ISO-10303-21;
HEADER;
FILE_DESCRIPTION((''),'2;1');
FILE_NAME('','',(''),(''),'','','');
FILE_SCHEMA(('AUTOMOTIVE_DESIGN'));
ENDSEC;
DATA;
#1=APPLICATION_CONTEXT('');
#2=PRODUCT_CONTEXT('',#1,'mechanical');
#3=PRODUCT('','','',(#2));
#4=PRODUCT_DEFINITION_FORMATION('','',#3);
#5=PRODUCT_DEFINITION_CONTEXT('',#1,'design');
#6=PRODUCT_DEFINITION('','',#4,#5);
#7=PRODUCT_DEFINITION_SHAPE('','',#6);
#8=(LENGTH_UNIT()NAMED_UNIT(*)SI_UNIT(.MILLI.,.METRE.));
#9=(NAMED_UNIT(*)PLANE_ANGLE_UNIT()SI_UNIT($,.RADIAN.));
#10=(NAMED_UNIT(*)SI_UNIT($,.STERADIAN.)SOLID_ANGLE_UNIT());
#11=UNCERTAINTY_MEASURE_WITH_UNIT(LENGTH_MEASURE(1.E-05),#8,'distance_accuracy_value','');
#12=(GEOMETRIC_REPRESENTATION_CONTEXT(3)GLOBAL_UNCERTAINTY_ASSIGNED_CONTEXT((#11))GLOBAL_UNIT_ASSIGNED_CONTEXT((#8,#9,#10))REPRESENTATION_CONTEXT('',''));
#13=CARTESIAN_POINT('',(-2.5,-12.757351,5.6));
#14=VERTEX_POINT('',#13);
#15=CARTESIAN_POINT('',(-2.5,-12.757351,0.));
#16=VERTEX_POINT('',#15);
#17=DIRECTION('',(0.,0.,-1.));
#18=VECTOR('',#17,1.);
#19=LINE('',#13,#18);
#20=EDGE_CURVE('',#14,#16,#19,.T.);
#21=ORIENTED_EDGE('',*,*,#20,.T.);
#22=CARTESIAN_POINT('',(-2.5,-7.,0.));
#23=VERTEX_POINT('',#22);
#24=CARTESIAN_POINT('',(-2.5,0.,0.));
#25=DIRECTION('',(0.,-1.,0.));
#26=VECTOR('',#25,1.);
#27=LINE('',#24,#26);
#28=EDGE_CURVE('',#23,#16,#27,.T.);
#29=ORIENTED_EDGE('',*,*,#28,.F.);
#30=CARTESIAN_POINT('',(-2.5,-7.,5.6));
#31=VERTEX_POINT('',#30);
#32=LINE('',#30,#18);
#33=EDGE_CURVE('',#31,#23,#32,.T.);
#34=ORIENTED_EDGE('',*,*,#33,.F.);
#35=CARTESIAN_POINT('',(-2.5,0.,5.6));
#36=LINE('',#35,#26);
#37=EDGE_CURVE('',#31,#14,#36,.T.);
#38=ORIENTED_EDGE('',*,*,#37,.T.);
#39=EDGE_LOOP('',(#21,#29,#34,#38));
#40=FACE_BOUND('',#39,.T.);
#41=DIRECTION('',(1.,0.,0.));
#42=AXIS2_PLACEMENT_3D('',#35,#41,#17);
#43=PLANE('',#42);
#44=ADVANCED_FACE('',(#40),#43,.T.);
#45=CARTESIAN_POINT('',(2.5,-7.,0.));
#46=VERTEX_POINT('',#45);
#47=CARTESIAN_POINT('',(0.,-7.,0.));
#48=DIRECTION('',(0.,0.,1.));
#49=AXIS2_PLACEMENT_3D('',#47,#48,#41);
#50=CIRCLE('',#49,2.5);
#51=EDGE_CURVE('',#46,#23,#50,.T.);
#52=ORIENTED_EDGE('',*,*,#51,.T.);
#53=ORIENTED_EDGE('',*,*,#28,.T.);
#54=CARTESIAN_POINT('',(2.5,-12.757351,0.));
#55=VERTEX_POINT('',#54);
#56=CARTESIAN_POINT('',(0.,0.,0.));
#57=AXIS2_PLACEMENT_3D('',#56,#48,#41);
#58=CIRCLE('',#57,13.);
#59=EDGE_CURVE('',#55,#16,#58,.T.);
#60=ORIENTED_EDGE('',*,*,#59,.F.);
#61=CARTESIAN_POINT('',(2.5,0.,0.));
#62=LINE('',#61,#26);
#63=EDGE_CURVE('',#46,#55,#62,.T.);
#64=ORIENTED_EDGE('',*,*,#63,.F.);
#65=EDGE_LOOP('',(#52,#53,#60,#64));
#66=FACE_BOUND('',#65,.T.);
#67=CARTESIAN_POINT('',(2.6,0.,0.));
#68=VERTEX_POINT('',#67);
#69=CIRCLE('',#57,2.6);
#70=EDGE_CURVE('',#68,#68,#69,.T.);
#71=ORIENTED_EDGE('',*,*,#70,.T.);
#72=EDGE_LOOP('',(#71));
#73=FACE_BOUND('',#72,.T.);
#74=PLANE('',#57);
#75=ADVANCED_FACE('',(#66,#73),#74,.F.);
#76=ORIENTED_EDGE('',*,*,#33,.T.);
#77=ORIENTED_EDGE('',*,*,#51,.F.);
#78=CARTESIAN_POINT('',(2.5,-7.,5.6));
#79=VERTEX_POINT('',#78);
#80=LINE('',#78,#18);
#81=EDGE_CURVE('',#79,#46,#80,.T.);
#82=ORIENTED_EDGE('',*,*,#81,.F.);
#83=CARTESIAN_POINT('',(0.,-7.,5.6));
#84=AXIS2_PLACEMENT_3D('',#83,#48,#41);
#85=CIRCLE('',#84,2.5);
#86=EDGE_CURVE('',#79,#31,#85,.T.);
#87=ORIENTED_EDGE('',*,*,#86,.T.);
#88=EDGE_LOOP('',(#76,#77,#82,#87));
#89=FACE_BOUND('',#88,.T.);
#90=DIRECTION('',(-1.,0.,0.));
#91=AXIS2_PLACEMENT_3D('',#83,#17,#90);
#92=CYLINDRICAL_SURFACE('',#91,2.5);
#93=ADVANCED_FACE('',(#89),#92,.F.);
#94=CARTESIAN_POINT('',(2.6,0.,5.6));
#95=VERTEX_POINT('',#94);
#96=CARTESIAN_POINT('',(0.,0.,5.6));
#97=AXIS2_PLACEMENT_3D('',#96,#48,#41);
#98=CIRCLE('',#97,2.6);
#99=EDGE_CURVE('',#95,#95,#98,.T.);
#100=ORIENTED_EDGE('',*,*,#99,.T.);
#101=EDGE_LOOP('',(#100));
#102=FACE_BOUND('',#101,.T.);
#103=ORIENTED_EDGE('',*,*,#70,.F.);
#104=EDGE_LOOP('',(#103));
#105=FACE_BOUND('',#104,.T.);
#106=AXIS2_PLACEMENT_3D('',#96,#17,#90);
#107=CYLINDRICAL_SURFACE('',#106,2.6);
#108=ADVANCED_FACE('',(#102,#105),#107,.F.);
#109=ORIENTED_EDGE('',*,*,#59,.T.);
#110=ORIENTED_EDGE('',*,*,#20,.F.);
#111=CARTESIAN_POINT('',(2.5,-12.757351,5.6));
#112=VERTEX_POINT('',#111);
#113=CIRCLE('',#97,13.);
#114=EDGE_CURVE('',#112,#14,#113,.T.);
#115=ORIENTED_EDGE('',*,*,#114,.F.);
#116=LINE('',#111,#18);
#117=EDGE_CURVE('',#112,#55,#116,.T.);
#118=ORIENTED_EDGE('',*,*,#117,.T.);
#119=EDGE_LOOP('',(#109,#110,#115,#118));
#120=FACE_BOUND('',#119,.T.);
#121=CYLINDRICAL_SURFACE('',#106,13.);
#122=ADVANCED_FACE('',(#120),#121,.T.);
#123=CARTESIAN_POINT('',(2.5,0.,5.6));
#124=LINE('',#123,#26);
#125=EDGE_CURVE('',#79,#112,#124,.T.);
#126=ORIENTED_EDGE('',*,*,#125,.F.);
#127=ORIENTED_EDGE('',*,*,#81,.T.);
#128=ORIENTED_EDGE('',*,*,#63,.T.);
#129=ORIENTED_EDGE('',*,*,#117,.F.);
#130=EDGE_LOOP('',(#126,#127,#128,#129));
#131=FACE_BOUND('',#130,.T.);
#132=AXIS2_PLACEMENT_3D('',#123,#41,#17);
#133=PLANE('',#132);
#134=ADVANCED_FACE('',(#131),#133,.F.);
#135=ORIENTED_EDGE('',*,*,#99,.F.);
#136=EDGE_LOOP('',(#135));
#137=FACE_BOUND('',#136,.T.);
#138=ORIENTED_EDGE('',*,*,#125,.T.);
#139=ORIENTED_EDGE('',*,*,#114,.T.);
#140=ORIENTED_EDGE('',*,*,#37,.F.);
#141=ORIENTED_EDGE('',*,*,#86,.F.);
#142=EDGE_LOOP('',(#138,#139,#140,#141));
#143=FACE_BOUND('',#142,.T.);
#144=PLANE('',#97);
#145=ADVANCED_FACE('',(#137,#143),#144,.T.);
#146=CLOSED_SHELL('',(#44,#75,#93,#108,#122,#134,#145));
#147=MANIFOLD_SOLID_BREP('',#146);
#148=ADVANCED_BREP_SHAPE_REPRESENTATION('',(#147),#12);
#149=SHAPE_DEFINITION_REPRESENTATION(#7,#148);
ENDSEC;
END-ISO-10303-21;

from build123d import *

# Parameters (mm, degrees)
SZKIC1_R                    = 2.6
DODANIE_WYCI_GNI_CIE1_DEPTH = 5.6


with BuildPart() as part:
    # Szkic1 → Dodanie-wyciągnięcie1 (new body)
    with BuildSketch(Plane.XY):
        with BuildLine():
            Line((-2.5, -12.757350822), (-2.5, -7))
            ThreePointArc((-2.5, -7), (0, -4.5), (2.5, -7))
            Line((2.5, -7), (2.5, -12.757350822))
            ThreePointArc((2.5, -12.757350822), (10.03742995, -8.261355821), (13, 0))
            ThreePointArc((13, 0), (-8.261355821, 10.03742995), (-2.5, -12.757350822))
        make_face()
        Circle(SZKIC1_R, mode=Mode.SUBTRACT)
    extrude(amount=DODANIE_WYCI_GNI_CIE1_DEPTH)


solid = part.part
